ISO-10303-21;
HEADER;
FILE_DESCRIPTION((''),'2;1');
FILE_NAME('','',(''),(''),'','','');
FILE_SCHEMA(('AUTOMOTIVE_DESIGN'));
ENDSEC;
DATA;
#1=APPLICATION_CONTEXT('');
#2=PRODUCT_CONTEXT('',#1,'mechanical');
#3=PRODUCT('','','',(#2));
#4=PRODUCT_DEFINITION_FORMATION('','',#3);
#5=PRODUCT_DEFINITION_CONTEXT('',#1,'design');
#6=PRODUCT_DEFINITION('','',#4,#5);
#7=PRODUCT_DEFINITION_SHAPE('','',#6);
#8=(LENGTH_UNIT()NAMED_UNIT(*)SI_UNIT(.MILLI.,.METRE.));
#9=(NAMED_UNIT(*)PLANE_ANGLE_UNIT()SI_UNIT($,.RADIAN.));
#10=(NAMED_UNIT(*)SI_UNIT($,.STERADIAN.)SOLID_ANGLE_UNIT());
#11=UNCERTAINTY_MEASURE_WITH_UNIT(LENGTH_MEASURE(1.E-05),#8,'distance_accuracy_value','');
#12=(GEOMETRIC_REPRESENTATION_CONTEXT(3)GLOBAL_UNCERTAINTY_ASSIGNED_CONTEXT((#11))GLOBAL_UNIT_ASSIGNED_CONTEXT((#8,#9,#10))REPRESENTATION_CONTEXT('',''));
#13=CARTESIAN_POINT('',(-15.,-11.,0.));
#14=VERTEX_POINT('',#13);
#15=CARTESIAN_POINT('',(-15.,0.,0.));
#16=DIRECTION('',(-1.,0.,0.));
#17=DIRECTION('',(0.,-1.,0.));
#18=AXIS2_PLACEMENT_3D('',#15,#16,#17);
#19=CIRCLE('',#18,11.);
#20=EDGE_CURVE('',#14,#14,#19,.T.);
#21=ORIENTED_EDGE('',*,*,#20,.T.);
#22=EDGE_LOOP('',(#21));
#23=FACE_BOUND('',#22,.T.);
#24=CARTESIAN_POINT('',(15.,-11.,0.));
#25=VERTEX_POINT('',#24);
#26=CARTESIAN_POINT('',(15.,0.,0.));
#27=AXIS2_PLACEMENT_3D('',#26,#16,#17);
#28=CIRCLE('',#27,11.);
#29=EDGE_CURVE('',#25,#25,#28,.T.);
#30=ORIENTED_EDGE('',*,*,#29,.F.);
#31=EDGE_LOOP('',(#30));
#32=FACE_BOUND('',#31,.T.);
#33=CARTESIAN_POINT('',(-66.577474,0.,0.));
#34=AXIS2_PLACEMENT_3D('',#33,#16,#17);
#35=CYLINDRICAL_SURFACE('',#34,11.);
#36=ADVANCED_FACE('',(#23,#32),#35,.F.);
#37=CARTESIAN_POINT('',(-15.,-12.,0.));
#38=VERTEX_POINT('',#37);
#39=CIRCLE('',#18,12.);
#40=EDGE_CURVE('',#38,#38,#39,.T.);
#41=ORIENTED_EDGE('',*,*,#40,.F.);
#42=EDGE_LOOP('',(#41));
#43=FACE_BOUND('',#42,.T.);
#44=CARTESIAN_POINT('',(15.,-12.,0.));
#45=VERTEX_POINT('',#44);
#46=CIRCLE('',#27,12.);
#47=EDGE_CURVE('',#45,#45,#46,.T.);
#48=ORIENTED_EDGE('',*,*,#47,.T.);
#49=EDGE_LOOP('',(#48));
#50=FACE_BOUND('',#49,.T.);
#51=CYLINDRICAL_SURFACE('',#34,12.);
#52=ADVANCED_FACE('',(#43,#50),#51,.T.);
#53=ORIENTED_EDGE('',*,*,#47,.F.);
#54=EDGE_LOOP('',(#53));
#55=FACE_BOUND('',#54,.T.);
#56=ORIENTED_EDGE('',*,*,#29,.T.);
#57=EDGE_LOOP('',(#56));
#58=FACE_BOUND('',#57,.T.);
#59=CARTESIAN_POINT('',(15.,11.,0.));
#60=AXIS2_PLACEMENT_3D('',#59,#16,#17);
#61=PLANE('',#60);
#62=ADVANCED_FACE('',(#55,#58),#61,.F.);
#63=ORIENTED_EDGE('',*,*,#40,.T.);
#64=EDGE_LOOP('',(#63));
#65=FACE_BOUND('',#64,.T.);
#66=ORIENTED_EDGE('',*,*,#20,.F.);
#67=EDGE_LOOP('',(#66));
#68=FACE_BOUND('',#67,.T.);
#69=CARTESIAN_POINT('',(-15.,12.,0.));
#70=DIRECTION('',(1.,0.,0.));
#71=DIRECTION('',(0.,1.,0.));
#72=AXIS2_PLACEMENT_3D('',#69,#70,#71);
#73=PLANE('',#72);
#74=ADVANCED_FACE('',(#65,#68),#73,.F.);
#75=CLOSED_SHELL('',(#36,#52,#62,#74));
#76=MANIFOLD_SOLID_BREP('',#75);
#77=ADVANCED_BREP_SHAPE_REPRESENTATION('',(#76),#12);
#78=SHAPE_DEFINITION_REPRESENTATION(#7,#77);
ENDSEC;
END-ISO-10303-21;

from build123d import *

# Parameters (mm, degrees)
SKETCH1_W = 30
SKETCH1_H = 1


with BuildPart() as part:
    # Sketch1 → Revolve1 (revolve)
    with BuildSketch(Plane.XY, mode=Mode.PRIVATE) as revolve1_sk:
        with Locations((0, 11.5)):
            Rectangle(SKETCH1_W, SKETCH1_H)
    revolve(revolve1_sk.sketch.rotate(Axis((-66.577474403, 0, 0), (1, 0, 0)), 180), axis=Axis((-66.577474403, 0, 0), (1, 0, 0)))


solid = part.part
